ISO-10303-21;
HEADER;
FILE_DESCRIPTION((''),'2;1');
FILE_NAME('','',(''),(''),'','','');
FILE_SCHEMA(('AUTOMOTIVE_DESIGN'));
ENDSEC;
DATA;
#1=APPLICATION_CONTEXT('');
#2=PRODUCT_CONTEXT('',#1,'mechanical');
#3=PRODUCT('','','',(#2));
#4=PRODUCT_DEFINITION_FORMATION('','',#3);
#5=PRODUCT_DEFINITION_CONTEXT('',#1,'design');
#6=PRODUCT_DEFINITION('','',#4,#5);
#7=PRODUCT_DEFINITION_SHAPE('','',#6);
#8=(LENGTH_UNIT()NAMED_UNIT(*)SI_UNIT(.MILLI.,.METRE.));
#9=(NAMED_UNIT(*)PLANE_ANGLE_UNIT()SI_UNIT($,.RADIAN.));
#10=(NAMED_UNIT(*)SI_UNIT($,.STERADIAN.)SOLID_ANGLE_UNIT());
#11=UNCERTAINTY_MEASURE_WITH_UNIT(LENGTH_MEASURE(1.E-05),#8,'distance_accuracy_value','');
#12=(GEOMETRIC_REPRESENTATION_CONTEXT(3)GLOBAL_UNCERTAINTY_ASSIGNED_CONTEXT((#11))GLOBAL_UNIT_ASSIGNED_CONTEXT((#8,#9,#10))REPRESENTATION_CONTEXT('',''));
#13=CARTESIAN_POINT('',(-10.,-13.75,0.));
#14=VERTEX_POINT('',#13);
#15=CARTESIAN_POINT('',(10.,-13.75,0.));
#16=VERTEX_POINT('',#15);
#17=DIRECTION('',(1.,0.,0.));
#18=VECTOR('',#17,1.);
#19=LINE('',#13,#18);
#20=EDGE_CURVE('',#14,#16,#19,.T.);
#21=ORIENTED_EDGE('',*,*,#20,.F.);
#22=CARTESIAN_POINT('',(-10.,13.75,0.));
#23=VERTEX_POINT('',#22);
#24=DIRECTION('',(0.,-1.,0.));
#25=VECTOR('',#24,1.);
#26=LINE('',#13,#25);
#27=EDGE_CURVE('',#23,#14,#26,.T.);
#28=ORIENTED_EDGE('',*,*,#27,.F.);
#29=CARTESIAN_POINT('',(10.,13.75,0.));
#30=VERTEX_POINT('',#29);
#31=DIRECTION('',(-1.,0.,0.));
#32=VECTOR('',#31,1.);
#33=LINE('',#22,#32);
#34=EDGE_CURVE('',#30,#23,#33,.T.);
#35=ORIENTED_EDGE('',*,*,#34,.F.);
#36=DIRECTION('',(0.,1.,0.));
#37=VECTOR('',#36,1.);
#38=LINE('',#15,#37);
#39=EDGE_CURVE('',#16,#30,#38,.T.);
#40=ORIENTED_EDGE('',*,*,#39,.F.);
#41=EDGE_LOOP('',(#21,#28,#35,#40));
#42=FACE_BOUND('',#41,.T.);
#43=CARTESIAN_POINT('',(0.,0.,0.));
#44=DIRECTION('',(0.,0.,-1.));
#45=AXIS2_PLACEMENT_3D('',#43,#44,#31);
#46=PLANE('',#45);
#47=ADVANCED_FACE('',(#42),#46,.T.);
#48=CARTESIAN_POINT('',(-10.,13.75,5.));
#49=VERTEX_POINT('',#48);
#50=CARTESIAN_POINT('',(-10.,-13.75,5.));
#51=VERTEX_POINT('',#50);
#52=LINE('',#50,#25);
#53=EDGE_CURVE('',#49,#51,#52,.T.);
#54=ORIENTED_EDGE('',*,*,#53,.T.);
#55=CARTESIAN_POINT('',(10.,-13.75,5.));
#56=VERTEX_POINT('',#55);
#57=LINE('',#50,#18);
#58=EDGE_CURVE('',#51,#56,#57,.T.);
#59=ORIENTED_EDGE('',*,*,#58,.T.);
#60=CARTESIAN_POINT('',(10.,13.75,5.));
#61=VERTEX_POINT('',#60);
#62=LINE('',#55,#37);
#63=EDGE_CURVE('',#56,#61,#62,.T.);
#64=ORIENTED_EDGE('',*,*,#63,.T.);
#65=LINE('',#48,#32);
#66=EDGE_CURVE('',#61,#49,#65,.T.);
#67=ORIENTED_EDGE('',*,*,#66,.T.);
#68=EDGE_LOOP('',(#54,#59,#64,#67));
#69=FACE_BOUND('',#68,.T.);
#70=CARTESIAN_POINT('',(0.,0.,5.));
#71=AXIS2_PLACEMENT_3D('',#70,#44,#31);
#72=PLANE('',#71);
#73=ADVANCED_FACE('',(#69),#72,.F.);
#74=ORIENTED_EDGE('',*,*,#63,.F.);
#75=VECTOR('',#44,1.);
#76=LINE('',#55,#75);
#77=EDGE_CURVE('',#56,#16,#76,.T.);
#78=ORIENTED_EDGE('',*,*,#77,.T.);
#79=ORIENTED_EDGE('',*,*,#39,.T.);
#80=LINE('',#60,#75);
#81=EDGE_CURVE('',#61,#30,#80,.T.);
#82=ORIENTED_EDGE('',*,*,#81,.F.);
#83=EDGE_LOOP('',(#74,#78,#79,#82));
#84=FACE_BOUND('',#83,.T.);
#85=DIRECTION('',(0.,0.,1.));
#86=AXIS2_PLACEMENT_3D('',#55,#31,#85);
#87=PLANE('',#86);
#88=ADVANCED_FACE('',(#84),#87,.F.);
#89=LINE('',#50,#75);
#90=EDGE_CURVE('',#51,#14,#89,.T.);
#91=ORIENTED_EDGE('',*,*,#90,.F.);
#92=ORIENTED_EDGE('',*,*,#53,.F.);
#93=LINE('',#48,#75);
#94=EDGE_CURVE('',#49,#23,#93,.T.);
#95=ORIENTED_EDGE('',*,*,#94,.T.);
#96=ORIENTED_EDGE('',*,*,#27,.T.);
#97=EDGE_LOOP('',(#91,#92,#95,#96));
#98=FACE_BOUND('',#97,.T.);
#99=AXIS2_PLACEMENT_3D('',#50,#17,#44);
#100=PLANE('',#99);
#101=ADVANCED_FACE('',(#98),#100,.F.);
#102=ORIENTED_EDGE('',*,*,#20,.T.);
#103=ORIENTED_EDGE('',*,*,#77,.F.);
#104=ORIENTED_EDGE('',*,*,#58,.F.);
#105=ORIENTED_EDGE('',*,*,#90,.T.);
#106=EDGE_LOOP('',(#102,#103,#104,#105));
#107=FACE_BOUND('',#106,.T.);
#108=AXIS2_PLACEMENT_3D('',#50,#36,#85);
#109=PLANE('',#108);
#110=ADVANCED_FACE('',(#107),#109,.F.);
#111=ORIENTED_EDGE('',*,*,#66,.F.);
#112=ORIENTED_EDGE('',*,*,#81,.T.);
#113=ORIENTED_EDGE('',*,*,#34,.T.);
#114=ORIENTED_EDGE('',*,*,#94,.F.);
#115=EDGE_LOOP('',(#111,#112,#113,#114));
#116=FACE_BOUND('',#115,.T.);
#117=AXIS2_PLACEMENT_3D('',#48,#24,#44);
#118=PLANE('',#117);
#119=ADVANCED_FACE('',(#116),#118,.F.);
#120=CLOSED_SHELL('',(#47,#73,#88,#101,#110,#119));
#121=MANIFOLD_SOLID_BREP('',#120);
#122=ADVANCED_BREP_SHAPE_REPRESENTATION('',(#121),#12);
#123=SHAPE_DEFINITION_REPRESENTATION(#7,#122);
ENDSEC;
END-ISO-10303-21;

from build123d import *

# Parameters (mm, degrees)
SKETCH1_W           = 20
SKETCH1_H           = 27.5
BOSS_EXTRUDE1_DEPTH = 5


with BuildPart() as part:
    # Sketch1 → Boss-Extrude1 (new body)
    with BuildSketch(Plane.XY):
        Rectangle(SKETCH1_W, SKETCH1_H)
    extrude(amount=BOSS_EXTRUDE1_DEPTH)


solid = part.part
